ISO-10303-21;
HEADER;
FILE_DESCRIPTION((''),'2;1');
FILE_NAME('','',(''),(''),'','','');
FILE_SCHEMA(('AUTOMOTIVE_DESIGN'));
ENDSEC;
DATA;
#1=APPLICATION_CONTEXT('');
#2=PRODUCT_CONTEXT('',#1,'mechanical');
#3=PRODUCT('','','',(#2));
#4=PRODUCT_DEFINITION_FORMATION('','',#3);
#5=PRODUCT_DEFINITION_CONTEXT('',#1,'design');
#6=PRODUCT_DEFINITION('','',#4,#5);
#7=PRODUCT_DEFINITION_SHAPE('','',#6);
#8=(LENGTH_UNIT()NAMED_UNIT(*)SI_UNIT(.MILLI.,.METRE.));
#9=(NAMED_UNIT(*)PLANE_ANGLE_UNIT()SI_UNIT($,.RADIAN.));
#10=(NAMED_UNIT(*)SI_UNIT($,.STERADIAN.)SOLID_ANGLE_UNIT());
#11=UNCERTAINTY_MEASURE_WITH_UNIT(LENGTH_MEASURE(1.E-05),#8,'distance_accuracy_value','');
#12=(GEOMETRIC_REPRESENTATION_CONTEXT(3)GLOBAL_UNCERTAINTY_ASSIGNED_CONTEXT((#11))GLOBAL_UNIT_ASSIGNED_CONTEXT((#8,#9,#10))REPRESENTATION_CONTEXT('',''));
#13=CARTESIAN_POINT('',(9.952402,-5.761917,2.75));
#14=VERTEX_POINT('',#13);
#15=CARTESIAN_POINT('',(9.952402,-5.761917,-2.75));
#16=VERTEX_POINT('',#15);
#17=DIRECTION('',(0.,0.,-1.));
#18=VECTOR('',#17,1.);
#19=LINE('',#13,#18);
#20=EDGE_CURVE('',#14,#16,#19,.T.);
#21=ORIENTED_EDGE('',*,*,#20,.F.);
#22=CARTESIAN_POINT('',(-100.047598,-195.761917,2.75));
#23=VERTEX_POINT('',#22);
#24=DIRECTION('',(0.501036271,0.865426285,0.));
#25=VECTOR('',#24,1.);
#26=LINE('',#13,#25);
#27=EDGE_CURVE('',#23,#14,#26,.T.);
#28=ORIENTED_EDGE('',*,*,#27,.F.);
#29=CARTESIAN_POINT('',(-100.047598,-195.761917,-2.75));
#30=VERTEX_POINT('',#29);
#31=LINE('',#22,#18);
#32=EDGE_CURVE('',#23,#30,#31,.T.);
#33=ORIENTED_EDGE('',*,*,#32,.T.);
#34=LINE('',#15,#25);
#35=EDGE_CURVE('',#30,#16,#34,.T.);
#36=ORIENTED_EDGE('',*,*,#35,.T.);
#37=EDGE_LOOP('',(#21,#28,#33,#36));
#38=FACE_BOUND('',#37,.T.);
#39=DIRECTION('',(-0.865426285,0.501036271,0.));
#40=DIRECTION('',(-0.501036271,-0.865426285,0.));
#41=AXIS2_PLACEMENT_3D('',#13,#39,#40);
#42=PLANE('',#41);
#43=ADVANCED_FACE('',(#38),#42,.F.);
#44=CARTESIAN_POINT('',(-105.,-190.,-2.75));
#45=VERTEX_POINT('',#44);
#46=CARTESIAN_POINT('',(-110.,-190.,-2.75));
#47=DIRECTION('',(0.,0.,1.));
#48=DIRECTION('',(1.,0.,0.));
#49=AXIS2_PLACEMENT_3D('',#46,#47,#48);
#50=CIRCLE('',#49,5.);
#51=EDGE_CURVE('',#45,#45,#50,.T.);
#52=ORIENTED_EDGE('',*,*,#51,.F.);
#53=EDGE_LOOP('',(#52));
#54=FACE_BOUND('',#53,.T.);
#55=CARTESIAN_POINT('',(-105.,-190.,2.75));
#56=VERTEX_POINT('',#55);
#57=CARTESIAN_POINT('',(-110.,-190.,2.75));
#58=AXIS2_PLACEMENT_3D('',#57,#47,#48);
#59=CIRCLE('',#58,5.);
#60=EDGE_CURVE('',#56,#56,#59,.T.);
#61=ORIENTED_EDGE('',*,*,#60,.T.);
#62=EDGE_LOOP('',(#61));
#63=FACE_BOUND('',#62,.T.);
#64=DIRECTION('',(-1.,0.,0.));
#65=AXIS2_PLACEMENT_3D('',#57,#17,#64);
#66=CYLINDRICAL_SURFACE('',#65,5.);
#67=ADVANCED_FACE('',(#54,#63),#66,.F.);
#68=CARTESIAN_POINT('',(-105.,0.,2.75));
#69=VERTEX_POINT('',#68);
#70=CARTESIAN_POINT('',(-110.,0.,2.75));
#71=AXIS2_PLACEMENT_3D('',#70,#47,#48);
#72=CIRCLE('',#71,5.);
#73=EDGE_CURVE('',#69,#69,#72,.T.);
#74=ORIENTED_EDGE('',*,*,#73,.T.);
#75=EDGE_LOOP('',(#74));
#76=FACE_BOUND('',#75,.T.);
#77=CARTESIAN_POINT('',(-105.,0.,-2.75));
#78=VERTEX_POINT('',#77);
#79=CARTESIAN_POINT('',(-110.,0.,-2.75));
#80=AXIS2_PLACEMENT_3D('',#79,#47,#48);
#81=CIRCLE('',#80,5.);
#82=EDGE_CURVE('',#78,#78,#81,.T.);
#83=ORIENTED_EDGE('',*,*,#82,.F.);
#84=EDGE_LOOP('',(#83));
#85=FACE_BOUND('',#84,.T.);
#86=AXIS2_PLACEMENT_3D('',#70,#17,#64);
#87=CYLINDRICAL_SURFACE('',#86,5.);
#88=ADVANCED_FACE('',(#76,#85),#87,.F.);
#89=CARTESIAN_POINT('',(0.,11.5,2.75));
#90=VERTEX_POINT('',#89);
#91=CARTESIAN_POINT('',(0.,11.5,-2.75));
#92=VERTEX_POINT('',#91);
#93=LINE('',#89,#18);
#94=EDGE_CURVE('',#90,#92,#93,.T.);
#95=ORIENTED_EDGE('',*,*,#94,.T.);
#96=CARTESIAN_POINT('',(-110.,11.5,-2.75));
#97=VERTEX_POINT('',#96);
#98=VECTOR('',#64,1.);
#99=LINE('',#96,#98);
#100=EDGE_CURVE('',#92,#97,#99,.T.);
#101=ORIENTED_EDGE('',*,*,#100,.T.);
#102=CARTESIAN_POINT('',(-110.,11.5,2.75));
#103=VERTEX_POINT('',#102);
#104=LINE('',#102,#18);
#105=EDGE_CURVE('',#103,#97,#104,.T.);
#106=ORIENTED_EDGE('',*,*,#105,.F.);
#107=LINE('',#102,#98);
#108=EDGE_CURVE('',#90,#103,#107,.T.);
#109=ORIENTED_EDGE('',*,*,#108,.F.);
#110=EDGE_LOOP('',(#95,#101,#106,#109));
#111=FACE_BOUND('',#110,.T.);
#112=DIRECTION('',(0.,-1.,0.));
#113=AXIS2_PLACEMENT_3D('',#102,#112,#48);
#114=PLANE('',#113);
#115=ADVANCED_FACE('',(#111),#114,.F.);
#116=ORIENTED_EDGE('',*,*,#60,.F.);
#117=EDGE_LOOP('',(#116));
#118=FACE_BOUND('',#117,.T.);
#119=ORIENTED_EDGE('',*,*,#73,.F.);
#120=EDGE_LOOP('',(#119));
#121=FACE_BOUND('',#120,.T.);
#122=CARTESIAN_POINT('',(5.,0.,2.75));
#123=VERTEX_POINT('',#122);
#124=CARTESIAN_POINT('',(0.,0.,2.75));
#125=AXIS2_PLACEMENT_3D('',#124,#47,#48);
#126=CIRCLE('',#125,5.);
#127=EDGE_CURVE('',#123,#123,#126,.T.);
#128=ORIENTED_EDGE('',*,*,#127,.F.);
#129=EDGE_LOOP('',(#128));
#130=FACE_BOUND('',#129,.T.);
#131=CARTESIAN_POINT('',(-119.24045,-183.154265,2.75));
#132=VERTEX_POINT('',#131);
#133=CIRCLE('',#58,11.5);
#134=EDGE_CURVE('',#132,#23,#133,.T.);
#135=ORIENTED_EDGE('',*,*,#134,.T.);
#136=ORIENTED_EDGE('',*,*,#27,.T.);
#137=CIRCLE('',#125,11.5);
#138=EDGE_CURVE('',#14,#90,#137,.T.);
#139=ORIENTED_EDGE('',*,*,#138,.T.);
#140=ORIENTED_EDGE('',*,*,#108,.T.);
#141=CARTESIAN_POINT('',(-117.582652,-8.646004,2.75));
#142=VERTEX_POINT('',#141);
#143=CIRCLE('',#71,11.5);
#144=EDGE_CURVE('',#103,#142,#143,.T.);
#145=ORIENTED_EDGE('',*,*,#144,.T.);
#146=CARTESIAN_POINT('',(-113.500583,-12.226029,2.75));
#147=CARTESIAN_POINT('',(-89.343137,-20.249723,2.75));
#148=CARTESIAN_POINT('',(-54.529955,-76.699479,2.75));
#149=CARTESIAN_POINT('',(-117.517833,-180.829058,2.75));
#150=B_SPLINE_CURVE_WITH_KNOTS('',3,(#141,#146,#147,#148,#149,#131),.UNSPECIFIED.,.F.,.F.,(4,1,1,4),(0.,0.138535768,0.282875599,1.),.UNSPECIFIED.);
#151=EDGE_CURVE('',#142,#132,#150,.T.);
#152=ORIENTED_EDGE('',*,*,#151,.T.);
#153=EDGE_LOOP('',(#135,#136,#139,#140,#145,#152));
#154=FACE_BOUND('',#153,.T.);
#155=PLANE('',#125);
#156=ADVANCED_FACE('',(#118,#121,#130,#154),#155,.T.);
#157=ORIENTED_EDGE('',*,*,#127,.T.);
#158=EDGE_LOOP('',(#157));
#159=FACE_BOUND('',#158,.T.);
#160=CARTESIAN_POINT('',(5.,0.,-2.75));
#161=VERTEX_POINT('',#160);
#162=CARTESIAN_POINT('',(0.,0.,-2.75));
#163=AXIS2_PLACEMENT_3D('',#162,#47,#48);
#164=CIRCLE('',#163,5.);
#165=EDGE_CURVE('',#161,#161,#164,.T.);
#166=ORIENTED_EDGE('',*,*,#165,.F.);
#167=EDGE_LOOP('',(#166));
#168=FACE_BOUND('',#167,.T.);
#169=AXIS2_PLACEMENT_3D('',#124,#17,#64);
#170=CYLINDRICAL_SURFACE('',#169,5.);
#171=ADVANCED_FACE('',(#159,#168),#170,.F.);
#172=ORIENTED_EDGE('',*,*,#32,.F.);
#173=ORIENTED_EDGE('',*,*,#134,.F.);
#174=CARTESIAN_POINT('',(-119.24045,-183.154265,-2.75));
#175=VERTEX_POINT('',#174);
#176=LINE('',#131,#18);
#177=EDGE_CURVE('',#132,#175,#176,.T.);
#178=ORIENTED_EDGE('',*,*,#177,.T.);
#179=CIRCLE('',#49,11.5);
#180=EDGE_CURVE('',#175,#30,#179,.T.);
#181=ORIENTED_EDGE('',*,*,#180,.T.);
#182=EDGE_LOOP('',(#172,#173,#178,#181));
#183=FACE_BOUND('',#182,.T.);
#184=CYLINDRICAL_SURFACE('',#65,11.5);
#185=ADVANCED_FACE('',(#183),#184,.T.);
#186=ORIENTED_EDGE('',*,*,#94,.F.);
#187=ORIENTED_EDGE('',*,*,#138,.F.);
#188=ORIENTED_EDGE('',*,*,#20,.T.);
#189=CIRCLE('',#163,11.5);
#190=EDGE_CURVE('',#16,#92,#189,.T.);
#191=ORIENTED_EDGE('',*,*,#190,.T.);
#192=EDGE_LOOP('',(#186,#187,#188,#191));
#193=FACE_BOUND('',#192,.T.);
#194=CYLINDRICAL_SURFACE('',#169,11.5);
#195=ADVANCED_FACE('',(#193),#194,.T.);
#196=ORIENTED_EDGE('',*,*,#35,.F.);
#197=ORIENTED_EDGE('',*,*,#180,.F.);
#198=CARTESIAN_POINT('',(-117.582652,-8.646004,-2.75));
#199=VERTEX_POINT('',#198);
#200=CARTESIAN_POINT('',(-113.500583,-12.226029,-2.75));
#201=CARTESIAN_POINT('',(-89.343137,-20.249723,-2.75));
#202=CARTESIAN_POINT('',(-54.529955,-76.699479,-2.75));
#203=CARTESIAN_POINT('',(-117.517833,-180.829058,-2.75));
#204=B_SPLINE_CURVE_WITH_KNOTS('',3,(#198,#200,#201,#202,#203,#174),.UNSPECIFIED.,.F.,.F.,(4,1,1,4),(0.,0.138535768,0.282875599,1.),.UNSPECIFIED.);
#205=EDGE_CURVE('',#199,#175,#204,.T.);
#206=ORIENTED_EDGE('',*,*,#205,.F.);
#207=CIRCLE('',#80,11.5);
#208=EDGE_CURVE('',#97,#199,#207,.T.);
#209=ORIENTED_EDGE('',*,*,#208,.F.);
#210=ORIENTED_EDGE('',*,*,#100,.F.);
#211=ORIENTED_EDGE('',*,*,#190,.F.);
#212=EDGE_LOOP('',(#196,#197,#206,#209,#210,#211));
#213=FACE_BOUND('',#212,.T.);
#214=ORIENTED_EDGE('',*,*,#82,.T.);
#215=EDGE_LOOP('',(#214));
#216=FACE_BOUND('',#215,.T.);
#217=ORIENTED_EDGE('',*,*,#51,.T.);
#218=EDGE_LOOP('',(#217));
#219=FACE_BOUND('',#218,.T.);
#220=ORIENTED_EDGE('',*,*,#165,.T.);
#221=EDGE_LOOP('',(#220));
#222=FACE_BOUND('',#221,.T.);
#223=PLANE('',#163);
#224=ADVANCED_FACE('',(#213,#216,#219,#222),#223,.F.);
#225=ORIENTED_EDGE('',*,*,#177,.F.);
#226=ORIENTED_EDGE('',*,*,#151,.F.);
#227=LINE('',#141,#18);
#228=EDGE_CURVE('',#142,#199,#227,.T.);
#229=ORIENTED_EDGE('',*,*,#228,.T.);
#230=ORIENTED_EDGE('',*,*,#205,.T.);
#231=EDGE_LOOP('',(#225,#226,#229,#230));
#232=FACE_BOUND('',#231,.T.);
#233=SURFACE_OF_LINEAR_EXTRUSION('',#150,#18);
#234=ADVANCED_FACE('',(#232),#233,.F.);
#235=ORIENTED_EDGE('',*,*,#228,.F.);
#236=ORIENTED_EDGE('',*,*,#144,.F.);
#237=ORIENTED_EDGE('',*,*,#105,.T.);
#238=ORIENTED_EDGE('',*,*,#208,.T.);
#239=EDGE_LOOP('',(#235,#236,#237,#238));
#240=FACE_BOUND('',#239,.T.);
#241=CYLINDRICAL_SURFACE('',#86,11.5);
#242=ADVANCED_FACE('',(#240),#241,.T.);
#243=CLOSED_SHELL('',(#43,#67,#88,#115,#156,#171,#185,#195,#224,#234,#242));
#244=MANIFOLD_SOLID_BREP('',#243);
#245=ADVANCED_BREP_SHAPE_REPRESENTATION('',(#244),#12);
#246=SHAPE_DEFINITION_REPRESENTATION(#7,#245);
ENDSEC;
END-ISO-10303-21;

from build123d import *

# Parameters (mm, degrees)
SKETCH1_R           = 5
BOSS_EXTRUDE1_DEPTH = 2.75


with BuildPart() as part:
    # Sketch1 → Boss-Extrude1 (new body, symmetric)
    with BuildSketch(Plane.XY):
        with BuildLine():
            Line((-110, 11.5), (0, 11.5))
            ThreePointArc((0, 11.5), (9.962731723, 5.744038354), (9.952402283, -5.761917111))
            Line((9.952402283, -5.761917111), (-100.047597717, -195.761917111))
            ThreePointArc((-100.047597717, -195.761917111), (-116.313869125, -199.611714554), (-119.240449643, -183.154264802))
            add(Edge.make_bspline(
                [(-117.582652102, -8.646004111), (-113.500583089, -12.226028917), (-89.343136838, -20.249723308), (-54.529955021, -76.69947908), (-117.517833386, -180.829058186), (-119.240449643, -183.154264802)],
                knots=[0, 0, 0, 0, 0.138535768, 0.282875599, 1, 1, 1, 1], degree=3))
            ThreePointArc((-117.582652102, -8.646004111), (-120.762877108, 4.050984616), (-110, 11.5))
        make_face()
        Circle(SKETCH1_R, mode=Mode.SUBTRACT)
        with Locations((-110, -190)):
            Circle(SKETCH1_R, mode=Mode.SUBTRACT)
        with Locations((-110, 0)):
            Circle(SKETCH1_R, mode=Mode.SUBTRACT)
    extrude(amount=BOSS_EXTRUDE1_DEPTH, both=True)


solid = part.part
